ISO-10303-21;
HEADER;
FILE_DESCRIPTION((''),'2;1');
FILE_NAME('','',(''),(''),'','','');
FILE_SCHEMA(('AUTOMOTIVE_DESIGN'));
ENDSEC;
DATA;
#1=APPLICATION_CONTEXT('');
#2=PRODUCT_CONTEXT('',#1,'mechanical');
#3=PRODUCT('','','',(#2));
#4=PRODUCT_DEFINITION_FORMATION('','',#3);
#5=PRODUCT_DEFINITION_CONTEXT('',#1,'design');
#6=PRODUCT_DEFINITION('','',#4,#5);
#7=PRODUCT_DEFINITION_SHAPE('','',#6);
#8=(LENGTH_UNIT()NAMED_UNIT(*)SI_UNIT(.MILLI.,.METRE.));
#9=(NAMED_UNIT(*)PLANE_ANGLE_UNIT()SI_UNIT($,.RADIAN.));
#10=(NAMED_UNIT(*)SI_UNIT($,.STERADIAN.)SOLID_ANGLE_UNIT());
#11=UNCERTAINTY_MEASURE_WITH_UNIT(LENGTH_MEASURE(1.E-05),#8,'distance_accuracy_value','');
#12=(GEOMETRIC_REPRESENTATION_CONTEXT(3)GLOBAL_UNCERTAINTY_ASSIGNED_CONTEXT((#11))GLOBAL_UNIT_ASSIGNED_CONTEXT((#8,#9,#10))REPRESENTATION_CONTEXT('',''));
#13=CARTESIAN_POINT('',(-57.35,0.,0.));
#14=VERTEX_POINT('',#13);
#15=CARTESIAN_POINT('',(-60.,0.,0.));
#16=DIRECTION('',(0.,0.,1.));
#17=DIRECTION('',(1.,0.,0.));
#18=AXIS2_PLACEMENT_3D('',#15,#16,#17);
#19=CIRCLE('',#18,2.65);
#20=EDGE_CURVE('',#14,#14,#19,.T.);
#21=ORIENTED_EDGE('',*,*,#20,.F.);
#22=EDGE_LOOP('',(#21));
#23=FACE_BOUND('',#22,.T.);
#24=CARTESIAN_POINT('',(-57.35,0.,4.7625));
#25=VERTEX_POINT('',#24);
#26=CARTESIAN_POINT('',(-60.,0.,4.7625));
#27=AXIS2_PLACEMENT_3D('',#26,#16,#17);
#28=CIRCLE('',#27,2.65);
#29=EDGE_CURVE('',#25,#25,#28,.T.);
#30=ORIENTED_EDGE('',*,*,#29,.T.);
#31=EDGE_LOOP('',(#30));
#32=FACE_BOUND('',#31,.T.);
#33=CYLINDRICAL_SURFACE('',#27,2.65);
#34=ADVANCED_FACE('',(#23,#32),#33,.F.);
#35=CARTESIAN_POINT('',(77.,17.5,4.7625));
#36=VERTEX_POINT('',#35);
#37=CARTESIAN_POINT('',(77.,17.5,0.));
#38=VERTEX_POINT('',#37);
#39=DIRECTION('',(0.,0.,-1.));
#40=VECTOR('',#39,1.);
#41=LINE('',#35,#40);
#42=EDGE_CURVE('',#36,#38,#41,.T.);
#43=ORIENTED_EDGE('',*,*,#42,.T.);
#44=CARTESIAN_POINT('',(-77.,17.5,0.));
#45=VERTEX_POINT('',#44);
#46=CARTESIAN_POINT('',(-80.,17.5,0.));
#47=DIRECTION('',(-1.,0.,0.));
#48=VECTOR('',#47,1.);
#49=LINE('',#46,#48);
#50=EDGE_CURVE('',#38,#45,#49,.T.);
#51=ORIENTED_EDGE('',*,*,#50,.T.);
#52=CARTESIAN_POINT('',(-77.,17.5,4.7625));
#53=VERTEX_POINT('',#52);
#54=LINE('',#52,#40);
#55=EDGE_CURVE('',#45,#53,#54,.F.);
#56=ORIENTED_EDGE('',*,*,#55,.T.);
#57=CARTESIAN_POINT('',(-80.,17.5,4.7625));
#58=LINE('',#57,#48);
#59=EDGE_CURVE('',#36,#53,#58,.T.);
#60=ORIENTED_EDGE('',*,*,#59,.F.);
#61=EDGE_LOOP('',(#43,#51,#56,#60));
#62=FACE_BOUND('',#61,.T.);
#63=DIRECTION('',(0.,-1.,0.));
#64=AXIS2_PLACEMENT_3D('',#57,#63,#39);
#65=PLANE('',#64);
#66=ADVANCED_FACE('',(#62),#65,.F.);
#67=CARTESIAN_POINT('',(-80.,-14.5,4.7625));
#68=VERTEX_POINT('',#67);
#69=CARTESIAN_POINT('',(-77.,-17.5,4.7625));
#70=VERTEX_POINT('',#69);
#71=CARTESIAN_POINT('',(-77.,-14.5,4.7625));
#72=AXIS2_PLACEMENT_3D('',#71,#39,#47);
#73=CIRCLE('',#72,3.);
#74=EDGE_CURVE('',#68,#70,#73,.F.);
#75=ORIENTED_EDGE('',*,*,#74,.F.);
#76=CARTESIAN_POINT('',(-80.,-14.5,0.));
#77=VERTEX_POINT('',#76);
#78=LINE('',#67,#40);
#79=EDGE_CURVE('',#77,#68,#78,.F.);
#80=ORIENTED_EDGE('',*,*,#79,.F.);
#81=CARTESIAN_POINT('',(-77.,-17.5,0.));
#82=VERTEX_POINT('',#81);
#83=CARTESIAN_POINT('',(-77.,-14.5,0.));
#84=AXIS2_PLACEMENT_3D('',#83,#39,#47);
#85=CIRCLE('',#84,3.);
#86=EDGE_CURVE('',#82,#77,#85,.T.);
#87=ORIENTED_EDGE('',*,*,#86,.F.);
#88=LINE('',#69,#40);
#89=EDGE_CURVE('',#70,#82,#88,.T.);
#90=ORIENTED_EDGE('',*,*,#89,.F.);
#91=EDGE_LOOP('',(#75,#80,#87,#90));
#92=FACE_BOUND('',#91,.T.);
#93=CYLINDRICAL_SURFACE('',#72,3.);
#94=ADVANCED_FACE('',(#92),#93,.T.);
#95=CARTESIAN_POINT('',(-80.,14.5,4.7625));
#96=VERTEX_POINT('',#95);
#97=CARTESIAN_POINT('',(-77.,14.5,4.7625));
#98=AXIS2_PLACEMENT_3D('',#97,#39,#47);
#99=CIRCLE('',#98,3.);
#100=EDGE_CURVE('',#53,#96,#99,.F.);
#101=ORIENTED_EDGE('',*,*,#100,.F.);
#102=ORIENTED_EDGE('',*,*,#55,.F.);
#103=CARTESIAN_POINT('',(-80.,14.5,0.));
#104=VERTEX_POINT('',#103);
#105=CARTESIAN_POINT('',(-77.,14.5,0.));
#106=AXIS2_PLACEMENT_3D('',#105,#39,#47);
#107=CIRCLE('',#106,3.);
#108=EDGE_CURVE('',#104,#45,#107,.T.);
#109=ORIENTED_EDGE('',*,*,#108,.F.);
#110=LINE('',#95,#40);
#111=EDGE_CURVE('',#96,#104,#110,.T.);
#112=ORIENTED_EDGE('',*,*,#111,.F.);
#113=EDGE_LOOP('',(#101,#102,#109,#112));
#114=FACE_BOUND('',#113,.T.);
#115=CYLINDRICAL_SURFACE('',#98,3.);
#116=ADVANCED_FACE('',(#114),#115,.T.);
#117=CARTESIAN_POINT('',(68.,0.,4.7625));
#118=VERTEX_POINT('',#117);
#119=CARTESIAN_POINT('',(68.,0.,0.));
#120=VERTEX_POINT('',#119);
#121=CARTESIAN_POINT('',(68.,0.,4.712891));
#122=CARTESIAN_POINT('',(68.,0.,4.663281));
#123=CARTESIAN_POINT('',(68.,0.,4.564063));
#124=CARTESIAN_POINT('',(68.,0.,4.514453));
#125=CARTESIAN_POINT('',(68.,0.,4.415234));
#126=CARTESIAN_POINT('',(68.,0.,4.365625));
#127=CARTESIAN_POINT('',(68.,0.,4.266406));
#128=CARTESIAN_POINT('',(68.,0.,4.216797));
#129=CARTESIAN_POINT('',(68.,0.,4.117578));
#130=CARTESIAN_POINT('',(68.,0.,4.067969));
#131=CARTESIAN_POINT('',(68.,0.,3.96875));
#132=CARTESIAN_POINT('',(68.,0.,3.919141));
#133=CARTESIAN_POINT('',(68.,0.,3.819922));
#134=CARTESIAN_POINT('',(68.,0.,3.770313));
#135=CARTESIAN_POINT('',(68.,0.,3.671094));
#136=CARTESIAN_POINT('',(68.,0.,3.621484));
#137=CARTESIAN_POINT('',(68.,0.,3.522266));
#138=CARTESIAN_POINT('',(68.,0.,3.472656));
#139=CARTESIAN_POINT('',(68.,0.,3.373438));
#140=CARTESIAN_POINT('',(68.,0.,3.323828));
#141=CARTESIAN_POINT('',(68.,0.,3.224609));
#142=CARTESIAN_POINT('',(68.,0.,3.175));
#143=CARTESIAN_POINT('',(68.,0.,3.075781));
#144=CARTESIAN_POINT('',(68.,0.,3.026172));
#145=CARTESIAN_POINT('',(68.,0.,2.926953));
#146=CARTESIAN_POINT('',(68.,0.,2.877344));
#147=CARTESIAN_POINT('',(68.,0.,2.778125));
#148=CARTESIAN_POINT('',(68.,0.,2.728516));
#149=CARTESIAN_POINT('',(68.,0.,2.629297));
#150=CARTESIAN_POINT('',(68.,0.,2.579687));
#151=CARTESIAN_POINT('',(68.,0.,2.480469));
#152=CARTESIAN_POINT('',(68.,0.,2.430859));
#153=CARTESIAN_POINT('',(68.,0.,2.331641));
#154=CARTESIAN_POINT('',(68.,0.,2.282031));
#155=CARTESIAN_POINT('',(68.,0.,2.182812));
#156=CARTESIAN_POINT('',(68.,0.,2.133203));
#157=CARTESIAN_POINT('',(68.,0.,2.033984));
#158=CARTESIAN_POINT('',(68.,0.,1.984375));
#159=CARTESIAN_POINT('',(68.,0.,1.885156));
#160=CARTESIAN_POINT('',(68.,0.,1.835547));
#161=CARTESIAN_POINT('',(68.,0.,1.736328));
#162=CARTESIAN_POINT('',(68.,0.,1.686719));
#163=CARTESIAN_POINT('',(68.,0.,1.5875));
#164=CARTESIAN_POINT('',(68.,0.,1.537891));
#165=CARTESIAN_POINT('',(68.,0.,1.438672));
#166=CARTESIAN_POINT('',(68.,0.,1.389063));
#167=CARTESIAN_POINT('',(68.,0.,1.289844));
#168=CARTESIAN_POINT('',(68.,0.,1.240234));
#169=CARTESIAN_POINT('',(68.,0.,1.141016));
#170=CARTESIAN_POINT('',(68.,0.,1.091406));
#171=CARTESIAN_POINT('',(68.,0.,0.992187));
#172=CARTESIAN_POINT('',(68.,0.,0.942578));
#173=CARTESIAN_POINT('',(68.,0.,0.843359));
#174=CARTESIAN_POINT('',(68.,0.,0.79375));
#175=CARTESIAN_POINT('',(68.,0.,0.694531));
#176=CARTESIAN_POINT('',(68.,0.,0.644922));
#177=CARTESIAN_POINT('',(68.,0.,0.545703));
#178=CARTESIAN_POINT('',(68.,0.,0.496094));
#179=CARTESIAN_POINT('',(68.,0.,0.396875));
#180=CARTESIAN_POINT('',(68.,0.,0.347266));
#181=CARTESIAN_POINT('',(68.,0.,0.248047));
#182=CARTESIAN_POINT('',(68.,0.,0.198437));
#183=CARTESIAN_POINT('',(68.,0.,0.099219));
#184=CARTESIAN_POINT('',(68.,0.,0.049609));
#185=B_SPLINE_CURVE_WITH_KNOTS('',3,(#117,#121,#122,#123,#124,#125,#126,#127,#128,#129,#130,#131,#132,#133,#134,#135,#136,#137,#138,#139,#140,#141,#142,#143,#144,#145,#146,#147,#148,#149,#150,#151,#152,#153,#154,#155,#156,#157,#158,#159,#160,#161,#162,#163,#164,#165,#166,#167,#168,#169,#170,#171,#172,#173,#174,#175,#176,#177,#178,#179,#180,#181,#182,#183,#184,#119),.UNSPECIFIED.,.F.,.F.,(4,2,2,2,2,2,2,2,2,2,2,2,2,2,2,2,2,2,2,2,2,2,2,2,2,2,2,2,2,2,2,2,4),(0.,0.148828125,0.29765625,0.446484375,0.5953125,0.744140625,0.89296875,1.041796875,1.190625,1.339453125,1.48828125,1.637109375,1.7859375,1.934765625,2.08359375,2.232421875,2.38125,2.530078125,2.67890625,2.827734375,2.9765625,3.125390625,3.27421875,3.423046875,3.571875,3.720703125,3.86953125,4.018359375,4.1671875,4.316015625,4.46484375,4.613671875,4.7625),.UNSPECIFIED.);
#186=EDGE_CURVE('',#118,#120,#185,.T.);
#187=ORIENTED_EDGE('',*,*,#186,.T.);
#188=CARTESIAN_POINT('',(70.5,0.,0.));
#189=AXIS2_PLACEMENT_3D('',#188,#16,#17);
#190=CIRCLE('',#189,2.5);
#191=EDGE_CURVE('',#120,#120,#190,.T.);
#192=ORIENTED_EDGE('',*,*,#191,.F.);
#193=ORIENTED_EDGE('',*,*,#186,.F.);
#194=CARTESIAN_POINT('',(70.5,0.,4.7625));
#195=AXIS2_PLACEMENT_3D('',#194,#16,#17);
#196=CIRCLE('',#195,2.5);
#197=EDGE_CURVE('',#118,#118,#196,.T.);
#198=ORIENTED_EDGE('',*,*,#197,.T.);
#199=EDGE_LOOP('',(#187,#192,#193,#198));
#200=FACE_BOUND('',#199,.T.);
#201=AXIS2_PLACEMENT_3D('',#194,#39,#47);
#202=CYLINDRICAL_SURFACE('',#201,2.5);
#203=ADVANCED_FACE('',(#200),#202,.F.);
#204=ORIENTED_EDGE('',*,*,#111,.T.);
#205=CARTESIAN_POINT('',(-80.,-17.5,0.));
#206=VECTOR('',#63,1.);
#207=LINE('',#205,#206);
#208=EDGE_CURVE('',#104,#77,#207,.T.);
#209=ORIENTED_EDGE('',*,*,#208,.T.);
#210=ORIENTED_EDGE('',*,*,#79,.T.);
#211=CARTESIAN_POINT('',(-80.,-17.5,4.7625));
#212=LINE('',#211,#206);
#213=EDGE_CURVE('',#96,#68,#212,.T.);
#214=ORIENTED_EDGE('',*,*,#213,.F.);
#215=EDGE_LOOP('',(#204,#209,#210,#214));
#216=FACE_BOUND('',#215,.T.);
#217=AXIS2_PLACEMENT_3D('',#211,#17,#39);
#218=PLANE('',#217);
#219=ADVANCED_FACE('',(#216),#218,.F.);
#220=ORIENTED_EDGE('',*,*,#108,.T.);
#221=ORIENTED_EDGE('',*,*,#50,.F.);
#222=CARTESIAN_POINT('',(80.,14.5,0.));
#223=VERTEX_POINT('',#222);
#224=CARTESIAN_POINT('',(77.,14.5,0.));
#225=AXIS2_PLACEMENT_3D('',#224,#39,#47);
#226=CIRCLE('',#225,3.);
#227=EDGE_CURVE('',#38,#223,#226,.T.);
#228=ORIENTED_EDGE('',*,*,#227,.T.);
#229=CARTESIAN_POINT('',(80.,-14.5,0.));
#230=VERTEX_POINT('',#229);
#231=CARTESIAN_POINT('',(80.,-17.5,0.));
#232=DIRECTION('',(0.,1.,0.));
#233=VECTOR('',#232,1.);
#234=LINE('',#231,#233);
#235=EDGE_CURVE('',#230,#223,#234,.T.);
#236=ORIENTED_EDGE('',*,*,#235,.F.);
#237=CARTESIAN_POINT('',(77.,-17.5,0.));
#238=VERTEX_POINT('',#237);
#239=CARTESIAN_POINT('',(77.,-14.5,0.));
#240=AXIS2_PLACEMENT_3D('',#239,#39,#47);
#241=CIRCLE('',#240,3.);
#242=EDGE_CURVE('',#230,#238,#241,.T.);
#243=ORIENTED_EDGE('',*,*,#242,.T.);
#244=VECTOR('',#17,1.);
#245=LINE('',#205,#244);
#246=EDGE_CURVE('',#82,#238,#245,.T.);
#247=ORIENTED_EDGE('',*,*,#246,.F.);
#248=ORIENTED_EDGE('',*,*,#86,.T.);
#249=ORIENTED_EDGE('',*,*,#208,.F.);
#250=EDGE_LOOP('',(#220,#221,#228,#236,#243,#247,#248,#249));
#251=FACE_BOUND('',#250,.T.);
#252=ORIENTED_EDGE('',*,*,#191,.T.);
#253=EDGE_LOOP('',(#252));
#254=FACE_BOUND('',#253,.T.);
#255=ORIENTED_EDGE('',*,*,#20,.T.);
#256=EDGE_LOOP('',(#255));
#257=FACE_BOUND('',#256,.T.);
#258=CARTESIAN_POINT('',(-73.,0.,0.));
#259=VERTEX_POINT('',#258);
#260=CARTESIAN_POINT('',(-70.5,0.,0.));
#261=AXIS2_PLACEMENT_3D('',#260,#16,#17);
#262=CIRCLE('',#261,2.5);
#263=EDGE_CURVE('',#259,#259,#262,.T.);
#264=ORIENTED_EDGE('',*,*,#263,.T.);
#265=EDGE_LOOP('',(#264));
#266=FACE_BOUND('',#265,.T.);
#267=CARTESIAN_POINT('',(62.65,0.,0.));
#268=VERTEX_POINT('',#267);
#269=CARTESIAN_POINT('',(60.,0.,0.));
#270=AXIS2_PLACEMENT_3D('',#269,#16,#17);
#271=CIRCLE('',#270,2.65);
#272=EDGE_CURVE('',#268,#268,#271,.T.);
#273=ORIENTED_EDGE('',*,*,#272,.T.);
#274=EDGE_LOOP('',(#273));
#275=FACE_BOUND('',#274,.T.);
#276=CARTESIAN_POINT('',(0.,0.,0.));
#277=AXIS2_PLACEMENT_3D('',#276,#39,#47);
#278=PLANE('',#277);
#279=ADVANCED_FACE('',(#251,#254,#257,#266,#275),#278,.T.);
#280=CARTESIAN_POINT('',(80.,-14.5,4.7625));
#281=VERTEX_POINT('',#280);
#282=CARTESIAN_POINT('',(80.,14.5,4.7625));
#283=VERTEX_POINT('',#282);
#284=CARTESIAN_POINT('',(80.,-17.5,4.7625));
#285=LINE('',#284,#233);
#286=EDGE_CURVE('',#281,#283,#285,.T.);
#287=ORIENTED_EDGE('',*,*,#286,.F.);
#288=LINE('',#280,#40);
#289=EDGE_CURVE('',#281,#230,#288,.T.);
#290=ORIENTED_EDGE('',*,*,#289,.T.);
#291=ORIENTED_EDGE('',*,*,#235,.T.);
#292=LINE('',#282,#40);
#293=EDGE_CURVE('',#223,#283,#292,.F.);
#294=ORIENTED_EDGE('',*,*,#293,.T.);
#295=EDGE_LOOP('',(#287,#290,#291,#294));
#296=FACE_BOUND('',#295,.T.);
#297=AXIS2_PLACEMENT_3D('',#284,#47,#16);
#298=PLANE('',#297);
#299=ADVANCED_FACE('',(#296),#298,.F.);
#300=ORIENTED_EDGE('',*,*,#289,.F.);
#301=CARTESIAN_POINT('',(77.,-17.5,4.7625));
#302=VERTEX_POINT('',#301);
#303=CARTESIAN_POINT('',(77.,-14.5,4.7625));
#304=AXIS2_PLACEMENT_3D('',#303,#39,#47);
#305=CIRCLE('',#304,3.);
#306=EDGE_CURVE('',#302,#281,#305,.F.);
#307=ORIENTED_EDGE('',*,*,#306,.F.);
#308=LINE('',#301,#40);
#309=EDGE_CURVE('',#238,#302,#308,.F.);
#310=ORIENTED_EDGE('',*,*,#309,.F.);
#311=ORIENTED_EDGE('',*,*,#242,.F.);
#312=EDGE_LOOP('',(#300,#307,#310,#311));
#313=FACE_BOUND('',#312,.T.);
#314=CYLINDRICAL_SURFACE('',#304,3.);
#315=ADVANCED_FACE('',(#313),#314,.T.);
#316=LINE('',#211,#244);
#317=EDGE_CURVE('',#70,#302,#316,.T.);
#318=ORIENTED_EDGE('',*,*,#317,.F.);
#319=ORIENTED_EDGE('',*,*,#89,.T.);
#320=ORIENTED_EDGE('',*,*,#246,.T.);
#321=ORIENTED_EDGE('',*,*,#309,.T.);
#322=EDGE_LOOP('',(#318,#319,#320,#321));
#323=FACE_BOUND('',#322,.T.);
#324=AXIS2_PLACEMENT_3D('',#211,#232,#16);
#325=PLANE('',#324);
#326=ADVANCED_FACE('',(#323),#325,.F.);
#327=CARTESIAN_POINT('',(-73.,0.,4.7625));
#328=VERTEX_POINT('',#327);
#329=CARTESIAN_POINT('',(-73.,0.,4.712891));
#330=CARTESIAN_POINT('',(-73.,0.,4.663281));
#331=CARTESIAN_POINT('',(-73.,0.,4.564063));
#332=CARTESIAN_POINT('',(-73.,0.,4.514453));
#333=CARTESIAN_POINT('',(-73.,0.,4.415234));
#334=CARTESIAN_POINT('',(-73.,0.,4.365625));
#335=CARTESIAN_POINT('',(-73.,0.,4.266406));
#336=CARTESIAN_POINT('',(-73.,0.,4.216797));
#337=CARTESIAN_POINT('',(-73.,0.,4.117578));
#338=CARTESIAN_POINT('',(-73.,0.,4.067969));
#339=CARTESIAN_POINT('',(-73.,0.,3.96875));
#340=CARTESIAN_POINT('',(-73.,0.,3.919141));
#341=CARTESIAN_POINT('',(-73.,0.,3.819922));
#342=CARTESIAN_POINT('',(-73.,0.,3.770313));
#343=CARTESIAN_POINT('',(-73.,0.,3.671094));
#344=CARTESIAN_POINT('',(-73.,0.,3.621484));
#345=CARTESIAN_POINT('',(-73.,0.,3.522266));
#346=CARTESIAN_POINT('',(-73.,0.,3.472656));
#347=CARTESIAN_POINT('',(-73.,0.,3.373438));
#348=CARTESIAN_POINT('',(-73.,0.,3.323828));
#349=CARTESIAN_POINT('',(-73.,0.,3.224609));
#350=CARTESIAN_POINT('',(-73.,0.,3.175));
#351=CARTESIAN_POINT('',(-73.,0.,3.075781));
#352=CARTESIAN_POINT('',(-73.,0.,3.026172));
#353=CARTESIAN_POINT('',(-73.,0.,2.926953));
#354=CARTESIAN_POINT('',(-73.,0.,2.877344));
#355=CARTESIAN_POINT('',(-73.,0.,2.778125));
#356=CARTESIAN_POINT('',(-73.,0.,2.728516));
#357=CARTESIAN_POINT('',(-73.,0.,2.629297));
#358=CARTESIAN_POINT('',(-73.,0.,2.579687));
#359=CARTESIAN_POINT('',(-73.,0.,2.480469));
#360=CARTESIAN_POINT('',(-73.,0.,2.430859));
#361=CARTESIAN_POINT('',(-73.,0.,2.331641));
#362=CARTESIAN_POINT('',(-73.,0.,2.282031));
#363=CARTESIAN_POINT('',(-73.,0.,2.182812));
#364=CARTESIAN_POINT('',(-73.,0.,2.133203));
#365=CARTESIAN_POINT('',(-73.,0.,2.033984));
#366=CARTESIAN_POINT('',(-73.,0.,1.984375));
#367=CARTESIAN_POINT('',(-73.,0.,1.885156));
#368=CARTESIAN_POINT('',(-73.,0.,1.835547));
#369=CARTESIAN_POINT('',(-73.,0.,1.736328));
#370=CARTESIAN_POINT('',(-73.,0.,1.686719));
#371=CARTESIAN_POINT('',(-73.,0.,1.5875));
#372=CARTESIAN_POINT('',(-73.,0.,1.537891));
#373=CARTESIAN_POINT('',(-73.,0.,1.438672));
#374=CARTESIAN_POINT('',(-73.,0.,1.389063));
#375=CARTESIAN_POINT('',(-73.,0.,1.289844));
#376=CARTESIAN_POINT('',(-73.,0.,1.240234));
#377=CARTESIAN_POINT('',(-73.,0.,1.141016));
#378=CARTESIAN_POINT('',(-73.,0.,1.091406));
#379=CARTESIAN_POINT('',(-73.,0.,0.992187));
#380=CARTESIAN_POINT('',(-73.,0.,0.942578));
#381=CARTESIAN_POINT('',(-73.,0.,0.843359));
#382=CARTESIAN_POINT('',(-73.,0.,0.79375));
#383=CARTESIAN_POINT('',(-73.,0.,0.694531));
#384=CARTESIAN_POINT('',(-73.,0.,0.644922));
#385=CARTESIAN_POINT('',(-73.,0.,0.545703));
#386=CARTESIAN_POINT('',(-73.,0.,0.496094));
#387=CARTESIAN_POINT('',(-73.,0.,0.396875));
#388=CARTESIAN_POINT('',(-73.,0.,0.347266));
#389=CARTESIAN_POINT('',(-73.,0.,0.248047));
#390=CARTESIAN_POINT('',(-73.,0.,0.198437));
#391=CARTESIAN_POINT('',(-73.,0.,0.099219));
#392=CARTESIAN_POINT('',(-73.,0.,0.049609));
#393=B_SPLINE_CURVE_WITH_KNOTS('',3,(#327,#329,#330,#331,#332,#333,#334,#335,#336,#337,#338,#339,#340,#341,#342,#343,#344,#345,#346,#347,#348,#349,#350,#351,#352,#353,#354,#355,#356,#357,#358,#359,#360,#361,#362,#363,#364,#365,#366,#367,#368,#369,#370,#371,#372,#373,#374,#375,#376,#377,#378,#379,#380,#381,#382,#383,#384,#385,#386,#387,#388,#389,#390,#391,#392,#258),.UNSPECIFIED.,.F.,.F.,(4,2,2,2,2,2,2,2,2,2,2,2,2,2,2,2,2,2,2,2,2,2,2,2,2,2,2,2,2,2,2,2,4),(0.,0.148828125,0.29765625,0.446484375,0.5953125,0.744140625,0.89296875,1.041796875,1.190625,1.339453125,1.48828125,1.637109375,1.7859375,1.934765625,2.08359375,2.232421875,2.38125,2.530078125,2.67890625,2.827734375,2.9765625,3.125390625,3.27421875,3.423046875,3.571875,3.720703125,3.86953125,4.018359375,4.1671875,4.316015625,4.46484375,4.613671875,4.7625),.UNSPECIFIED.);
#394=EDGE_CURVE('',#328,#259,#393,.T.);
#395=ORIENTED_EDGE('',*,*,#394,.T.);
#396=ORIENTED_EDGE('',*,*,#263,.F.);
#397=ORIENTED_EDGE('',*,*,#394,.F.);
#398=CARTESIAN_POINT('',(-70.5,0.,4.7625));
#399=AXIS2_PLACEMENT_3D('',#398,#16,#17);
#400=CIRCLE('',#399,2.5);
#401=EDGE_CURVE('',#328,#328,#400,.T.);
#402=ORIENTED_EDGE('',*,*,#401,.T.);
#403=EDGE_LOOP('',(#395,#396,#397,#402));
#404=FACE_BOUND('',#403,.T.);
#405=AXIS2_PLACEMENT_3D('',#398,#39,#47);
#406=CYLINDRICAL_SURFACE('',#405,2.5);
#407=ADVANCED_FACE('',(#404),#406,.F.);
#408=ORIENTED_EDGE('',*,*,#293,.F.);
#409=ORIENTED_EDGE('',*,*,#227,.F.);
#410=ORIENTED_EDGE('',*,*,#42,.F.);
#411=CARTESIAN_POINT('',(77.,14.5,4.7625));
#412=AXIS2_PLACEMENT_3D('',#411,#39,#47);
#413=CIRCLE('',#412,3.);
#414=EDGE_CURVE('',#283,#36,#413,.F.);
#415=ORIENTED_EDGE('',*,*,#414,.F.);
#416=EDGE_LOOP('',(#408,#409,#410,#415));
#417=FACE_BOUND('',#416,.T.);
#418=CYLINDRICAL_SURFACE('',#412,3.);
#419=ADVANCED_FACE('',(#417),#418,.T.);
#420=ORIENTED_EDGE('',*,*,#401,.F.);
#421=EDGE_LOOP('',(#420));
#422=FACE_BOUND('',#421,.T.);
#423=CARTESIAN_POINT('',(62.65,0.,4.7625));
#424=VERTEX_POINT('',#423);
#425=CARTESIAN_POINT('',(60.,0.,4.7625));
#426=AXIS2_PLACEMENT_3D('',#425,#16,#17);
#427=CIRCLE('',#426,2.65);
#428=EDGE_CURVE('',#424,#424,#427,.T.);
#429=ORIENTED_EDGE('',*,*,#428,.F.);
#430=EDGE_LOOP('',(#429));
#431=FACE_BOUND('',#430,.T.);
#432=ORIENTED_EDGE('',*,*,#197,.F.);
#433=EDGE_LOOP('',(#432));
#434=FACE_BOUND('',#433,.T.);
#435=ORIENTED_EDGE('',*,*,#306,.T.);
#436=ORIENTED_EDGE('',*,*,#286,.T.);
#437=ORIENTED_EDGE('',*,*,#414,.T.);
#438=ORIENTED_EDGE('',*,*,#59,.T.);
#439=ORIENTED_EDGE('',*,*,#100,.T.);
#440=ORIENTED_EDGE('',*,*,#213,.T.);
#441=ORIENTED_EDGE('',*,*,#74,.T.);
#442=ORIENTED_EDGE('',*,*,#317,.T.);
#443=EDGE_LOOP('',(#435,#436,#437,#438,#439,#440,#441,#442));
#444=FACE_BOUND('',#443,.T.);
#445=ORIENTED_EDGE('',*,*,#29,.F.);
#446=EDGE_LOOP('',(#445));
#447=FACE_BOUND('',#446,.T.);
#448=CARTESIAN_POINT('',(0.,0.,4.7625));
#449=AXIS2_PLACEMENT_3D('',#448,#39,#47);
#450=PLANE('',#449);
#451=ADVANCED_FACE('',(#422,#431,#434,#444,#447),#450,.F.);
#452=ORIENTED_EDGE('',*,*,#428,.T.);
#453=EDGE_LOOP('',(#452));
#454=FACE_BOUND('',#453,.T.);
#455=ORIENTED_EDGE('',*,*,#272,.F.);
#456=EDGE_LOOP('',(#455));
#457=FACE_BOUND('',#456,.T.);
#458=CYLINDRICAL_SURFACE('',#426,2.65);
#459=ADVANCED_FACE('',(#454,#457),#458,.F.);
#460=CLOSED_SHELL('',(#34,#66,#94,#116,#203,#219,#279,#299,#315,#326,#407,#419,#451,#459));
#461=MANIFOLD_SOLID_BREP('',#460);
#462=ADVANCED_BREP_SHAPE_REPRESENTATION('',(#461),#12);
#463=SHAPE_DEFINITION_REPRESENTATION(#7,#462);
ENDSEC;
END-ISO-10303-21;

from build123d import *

# Parameters (mm, degrees)
SKETCH1_W            = 160
SKETCH1_H            = 35
SKETCH1_R            = 2.5
BOSS_EXTRUDE1_DEPTH  = 4.7625
M5_CLEARANCE_HOLE1_D = 5.3
FILLET1_R            = 3


with BuildPart() as part:
    # Sketch1 → Boss-Extrude1 (new body)
    with BuildSketch(Plane.XY):
        Rectangle(SKETCH1_W, SKETCH1_H)
        with Locations(Location((-70.5, 0, 0), (0, 0, 180))):
            Circle(SKETCH1_R, mode=Mode.SUBTRACT)
        with Locations(Location((70.5, 0, 0), (0, 0, 180))):
            Circle(SKETCH1_R, mode=Mode.SUBTRACT)
    extrude(amount=BOSS_EXTRUDE1_DEPTH)

    # M5 Clearance Hole1 (through all)
    with Locations(Plane.XY.offset(4.7625)):
        with Locations((-60, 0), (60, 0)):
            Hole(M5_CLEARANCE_HOLE1_D / 2)

    # Fillet1
    fillet1_edges = [part.edges().sort_by_distance(p)[0] for p in [
        (80, -17.5, 2.38125),
        (-80, -17.5, 2.38125),
        (-80, 17.5, 2.38125),
        (80, 17.5, 2.38125),
    ]]
    fillet(fillet1_edges, radius=FILLET1_R)


solid = part.part
